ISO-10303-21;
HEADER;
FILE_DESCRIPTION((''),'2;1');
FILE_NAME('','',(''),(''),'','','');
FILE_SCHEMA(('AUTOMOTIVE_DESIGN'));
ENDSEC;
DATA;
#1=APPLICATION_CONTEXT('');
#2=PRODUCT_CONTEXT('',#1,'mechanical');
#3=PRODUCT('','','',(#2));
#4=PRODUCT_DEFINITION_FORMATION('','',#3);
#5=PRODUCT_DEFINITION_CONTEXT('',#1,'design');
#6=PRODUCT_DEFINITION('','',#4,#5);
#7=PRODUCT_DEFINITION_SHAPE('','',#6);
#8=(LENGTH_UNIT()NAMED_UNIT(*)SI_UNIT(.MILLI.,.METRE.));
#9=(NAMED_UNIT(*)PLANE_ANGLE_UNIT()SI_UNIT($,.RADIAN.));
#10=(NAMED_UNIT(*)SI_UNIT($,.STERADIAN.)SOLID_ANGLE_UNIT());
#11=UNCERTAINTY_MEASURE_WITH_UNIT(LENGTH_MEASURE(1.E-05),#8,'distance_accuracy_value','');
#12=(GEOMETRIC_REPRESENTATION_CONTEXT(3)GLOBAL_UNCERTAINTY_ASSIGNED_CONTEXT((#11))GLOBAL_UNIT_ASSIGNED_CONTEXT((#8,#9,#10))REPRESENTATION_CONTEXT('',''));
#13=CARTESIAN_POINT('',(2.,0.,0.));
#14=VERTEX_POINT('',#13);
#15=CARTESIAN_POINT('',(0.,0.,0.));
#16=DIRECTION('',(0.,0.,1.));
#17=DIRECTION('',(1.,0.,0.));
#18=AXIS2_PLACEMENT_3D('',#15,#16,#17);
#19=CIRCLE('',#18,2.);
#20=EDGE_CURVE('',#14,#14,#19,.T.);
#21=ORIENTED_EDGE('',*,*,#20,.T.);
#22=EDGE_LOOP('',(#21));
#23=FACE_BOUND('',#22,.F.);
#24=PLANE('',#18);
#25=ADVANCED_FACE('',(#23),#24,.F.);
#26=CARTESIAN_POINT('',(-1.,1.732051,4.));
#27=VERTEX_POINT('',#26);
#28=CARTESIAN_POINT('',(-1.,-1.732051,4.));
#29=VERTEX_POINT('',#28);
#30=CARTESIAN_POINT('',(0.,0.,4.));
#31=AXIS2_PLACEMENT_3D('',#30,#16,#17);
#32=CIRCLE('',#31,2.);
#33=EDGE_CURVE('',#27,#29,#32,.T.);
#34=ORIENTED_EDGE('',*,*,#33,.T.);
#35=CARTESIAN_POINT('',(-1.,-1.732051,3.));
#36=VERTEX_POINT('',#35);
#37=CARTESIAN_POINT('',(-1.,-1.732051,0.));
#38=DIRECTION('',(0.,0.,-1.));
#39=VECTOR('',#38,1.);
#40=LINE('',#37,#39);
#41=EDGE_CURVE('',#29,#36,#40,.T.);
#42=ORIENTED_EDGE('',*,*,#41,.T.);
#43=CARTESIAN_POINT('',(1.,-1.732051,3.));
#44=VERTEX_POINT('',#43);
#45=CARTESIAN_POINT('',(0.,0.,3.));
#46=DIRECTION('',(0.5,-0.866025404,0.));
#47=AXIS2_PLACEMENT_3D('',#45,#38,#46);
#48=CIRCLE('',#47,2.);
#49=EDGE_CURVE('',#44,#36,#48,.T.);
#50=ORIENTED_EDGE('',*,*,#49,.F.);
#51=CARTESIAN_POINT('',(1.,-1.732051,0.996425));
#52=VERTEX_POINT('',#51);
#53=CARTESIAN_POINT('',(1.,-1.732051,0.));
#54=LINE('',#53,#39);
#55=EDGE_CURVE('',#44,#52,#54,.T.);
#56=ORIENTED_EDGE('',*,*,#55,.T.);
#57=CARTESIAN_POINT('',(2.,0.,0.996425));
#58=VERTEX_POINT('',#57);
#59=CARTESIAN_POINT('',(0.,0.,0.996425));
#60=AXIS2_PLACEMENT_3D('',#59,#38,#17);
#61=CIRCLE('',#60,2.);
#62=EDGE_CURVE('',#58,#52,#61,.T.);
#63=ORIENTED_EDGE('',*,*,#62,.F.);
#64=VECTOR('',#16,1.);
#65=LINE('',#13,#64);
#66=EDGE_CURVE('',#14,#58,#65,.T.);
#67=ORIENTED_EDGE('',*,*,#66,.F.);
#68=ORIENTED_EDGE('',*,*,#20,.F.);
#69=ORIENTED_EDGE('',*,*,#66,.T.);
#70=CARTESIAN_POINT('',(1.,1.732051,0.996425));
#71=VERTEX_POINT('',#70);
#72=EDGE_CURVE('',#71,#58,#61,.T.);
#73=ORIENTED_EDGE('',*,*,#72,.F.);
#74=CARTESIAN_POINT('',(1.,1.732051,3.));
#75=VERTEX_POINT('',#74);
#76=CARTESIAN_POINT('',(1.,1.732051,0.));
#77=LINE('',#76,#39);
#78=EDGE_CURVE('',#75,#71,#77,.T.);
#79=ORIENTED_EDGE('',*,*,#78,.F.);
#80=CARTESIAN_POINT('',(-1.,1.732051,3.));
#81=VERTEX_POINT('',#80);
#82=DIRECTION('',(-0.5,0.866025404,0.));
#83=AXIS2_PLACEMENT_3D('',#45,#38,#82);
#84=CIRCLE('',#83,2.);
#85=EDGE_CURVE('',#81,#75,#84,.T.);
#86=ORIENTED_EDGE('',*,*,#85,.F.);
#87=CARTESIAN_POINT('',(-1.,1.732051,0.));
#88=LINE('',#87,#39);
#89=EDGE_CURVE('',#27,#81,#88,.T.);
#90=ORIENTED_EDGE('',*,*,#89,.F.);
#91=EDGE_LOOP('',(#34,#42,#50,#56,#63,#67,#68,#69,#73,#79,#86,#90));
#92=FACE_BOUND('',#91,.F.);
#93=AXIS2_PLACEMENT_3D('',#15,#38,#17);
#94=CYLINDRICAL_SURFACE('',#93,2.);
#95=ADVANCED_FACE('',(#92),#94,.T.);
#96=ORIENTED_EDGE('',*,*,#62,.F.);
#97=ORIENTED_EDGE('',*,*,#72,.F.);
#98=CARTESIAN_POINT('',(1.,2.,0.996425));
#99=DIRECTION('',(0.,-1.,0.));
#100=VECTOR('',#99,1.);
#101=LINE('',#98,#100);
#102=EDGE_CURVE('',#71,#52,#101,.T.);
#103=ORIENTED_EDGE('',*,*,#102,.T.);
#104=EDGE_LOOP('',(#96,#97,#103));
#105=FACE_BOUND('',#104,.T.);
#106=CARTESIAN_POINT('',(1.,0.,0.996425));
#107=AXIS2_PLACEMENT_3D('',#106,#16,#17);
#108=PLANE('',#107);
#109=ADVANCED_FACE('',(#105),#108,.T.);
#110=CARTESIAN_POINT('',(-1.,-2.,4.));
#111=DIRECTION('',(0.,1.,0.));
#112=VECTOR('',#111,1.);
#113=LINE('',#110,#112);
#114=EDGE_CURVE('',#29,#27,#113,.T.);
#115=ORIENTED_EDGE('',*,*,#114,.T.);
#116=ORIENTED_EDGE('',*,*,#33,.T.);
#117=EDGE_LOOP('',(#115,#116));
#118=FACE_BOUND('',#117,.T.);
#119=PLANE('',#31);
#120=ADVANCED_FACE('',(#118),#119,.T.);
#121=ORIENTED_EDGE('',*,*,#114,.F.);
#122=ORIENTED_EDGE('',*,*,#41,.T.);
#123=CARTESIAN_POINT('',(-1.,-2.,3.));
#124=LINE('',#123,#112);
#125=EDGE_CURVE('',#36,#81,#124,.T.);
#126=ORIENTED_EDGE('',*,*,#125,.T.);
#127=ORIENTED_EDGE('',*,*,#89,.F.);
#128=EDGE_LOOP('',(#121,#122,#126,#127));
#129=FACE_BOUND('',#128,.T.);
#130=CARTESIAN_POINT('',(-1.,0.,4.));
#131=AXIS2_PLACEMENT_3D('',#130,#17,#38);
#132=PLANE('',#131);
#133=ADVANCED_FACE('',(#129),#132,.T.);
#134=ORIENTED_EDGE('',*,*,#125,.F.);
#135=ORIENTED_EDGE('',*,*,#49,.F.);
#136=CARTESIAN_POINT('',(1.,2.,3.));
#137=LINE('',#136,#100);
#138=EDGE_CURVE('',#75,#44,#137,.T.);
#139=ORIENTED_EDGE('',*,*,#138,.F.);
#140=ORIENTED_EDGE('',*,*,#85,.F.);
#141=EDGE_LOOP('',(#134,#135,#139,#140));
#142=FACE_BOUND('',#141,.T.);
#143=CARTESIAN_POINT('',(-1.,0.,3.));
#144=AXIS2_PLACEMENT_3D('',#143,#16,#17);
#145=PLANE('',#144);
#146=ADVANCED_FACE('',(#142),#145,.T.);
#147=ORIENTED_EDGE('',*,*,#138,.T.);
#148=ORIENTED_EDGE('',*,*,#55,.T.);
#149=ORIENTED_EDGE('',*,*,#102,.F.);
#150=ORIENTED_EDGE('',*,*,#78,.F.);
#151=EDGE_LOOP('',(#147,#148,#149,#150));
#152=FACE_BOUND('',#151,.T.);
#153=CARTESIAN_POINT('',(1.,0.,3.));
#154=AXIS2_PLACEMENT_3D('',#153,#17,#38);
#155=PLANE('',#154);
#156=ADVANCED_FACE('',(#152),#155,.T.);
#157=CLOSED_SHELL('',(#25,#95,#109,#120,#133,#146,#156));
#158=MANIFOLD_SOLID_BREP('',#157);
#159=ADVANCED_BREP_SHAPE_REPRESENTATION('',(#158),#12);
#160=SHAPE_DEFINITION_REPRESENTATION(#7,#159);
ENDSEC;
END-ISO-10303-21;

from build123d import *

# Parameters (mm, degrees)
SKETCH1_R           = 2
BOSS_EXTRUDE1_DEPTH = 4
CUT_EXTRUDE2_DEPTH  = 2


with BuildPart() as part:
    # Sketch1 → Boss-Extrude1 (new body)
    with BuildSketch(Plane.XY):
        Circle(SKETCH1_R)
    extrude(amount=BOSS_EXTRUDE1_DEPTH)

    # Sketch2 → Cut-Extrude2 (cut, symmetric)
    with BuildSketch(Plane(origin=(0, 0, 0), x_dir=(1, 0, 0), z_dir=(0, 1, 0))):
        Polygon((-1, -3), (1, -3), (1, -0.996424707), (2, -0.996424707), (2, -4), (-1, -4), align=None)
    extrude(amount=CUT_EXTRUDE2_DEPTH, both=True, mode=Mode.SUBTRACT)


solid = part.part
